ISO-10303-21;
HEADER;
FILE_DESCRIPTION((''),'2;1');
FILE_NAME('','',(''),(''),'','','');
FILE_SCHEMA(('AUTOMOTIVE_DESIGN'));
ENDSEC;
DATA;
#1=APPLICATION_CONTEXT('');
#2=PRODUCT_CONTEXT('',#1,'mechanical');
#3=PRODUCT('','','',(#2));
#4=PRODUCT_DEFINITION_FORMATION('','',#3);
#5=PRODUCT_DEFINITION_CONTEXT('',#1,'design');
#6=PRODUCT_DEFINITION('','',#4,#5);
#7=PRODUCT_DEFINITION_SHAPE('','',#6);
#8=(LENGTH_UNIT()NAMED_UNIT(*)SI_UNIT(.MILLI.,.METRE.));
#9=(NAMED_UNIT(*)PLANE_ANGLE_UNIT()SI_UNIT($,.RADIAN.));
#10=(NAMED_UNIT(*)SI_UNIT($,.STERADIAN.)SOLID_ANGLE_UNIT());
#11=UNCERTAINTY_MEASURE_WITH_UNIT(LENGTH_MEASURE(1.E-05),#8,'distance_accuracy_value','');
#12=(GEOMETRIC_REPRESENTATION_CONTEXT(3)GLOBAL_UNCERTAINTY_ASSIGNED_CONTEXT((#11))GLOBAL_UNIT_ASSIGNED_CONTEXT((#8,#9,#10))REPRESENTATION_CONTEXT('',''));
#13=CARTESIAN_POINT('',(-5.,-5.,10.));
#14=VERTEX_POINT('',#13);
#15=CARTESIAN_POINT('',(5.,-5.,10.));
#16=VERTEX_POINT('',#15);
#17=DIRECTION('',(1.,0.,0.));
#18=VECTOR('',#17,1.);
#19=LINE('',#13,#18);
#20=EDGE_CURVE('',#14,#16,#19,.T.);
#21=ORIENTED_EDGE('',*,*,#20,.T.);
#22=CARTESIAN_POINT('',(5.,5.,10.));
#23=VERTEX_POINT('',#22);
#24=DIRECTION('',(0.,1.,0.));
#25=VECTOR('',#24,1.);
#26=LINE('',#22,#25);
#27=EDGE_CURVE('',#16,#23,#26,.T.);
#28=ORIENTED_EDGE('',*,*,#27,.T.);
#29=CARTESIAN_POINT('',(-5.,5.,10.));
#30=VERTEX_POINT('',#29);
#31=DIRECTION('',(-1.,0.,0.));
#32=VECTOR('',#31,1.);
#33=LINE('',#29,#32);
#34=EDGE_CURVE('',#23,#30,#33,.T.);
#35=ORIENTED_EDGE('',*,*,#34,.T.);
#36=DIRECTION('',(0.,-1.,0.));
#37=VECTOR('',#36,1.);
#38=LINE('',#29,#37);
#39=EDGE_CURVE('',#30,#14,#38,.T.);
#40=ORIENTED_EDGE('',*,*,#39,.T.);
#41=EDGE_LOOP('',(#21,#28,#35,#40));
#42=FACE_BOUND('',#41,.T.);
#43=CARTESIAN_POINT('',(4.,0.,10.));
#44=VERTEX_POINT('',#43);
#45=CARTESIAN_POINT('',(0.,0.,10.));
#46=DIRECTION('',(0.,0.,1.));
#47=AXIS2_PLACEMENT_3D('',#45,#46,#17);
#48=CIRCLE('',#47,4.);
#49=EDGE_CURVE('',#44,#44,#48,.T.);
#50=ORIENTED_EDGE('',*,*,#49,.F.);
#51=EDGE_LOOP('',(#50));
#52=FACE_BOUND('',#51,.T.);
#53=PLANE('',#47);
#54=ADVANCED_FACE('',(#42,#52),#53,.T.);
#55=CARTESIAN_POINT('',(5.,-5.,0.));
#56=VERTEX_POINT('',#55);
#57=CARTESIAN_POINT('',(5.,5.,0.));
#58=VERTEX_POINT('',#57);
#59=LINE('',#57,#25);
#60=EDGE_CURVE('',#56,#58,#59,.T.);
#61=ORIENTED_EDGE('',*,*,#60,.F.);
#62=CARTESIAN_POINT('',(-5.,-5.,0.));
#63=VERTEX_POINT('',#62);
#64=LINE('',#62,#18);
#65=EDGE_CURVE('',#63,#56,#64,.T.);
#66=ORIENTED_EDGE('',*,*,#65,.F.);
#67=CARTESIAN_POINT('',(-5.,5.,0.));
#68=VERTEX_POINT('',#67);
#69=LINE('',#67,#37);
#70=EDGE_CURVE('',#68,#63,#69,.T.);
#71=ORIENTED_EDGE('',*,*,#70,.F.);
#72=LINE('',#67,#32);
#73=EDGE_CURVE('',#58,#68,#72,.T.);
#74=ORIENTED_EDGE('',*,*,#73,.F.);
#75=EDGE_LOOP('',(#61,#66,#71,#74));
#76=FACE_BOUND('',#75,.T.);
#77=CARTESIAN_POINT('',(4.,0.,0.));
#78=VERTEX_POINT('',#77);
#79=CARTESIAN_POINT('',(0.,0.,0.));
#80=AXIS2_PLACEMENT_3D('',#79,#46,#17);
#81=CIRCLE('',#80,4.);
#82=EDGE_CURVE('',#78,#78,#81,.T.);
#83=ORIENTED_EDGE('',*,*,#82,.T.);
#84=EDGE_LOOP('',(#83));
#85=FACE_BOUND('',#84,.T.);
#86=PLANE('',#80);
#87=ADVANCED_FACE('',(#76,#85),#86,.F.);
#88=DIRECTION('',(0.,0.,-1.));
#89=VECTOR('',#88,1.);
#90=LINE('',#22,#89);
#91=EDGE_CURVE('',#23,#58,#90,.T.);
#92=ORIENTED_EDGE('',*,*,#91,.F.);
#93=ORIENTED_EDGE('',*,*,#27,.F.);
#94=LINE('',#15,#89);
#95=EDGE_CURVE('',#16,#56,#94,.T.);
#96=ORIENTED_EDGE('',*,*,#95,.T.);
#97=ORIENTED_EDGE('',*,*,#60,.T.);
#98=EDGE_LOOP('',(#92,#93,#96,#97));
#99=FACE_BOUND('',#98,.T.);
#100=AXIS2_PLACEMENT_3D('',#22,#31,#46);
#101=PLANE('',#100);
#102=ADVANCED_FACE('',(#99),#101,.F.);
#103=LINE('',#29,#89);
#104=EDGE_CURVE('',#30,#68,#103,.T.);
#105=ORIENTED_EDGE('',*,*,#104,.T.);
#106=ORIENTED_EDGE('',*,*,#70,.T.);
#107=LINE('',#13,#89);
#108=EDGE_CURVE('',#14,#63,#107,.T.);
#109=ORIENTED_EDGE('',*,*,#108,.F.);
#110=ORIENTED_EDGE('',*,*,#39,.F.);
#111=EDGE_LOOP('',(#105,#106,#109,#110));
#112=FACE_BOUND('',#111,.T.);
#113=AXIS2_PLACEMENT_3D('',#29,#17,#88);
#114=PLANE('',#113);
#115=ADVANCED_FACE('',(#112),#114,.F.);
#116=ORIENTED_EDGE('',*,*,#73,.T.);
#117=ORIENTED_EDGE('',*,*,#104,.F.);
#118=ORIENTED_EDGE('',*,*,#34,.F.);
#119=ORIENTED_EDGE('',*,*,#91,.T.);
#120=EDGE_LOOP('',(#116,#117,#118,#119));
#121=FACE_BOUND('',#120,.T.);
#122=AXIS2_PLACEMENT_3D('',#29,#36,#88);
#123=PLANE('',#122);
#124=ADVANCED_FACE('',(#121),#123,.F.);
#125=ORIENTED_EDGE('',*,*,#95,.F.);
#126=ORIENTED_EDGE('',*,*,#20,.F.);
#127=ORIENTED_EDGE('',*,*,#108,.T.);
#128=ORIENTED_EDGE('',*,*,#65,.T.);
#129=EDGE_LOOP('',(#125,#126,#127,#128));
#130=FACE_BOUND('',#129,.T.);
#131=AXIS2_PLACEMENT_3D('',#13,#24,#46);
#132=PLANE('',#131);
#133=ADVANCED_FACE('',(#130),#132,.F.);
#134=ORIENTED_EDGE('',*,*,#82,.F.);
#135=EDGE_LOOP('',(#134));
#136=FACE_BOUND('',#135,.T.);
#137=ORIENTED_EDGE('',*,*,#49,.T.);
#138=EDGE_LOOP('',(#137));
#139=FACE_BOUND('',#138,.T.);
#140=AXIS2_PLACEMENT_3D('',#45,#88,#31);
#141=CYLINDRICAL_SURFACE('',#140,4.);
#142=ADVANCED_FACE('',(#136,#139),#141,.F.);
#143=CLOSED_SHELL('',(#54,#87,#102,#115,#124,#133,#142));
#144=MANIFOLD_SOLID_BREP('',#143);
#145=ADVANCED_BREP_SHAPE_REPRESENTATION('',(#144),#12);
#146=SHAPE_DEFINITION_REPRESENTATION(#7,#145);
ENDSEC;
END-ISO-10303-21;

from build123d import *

# Parameters (mm, degrees)
CROQUIS2_W              = 10
CROQUIS2_H              = 10
CROQUIS2_R              = 4
SALIENTE_EXTRUIR1_DEPTH = 10


with BuildPart() as part:
    # Croquis2 → Saliente-Extruir1 (new body)
    with BuildSketch(Plane.XY):
        Rectangle(CROQUIS2_W, CROQUIS2_H)
        Circle(CROQUIS2_R, mode=Mode.SUBTRACT)
    extrude(amount=SALIENTE_EXTRUIR1_DEPTH)


solid = part.part
